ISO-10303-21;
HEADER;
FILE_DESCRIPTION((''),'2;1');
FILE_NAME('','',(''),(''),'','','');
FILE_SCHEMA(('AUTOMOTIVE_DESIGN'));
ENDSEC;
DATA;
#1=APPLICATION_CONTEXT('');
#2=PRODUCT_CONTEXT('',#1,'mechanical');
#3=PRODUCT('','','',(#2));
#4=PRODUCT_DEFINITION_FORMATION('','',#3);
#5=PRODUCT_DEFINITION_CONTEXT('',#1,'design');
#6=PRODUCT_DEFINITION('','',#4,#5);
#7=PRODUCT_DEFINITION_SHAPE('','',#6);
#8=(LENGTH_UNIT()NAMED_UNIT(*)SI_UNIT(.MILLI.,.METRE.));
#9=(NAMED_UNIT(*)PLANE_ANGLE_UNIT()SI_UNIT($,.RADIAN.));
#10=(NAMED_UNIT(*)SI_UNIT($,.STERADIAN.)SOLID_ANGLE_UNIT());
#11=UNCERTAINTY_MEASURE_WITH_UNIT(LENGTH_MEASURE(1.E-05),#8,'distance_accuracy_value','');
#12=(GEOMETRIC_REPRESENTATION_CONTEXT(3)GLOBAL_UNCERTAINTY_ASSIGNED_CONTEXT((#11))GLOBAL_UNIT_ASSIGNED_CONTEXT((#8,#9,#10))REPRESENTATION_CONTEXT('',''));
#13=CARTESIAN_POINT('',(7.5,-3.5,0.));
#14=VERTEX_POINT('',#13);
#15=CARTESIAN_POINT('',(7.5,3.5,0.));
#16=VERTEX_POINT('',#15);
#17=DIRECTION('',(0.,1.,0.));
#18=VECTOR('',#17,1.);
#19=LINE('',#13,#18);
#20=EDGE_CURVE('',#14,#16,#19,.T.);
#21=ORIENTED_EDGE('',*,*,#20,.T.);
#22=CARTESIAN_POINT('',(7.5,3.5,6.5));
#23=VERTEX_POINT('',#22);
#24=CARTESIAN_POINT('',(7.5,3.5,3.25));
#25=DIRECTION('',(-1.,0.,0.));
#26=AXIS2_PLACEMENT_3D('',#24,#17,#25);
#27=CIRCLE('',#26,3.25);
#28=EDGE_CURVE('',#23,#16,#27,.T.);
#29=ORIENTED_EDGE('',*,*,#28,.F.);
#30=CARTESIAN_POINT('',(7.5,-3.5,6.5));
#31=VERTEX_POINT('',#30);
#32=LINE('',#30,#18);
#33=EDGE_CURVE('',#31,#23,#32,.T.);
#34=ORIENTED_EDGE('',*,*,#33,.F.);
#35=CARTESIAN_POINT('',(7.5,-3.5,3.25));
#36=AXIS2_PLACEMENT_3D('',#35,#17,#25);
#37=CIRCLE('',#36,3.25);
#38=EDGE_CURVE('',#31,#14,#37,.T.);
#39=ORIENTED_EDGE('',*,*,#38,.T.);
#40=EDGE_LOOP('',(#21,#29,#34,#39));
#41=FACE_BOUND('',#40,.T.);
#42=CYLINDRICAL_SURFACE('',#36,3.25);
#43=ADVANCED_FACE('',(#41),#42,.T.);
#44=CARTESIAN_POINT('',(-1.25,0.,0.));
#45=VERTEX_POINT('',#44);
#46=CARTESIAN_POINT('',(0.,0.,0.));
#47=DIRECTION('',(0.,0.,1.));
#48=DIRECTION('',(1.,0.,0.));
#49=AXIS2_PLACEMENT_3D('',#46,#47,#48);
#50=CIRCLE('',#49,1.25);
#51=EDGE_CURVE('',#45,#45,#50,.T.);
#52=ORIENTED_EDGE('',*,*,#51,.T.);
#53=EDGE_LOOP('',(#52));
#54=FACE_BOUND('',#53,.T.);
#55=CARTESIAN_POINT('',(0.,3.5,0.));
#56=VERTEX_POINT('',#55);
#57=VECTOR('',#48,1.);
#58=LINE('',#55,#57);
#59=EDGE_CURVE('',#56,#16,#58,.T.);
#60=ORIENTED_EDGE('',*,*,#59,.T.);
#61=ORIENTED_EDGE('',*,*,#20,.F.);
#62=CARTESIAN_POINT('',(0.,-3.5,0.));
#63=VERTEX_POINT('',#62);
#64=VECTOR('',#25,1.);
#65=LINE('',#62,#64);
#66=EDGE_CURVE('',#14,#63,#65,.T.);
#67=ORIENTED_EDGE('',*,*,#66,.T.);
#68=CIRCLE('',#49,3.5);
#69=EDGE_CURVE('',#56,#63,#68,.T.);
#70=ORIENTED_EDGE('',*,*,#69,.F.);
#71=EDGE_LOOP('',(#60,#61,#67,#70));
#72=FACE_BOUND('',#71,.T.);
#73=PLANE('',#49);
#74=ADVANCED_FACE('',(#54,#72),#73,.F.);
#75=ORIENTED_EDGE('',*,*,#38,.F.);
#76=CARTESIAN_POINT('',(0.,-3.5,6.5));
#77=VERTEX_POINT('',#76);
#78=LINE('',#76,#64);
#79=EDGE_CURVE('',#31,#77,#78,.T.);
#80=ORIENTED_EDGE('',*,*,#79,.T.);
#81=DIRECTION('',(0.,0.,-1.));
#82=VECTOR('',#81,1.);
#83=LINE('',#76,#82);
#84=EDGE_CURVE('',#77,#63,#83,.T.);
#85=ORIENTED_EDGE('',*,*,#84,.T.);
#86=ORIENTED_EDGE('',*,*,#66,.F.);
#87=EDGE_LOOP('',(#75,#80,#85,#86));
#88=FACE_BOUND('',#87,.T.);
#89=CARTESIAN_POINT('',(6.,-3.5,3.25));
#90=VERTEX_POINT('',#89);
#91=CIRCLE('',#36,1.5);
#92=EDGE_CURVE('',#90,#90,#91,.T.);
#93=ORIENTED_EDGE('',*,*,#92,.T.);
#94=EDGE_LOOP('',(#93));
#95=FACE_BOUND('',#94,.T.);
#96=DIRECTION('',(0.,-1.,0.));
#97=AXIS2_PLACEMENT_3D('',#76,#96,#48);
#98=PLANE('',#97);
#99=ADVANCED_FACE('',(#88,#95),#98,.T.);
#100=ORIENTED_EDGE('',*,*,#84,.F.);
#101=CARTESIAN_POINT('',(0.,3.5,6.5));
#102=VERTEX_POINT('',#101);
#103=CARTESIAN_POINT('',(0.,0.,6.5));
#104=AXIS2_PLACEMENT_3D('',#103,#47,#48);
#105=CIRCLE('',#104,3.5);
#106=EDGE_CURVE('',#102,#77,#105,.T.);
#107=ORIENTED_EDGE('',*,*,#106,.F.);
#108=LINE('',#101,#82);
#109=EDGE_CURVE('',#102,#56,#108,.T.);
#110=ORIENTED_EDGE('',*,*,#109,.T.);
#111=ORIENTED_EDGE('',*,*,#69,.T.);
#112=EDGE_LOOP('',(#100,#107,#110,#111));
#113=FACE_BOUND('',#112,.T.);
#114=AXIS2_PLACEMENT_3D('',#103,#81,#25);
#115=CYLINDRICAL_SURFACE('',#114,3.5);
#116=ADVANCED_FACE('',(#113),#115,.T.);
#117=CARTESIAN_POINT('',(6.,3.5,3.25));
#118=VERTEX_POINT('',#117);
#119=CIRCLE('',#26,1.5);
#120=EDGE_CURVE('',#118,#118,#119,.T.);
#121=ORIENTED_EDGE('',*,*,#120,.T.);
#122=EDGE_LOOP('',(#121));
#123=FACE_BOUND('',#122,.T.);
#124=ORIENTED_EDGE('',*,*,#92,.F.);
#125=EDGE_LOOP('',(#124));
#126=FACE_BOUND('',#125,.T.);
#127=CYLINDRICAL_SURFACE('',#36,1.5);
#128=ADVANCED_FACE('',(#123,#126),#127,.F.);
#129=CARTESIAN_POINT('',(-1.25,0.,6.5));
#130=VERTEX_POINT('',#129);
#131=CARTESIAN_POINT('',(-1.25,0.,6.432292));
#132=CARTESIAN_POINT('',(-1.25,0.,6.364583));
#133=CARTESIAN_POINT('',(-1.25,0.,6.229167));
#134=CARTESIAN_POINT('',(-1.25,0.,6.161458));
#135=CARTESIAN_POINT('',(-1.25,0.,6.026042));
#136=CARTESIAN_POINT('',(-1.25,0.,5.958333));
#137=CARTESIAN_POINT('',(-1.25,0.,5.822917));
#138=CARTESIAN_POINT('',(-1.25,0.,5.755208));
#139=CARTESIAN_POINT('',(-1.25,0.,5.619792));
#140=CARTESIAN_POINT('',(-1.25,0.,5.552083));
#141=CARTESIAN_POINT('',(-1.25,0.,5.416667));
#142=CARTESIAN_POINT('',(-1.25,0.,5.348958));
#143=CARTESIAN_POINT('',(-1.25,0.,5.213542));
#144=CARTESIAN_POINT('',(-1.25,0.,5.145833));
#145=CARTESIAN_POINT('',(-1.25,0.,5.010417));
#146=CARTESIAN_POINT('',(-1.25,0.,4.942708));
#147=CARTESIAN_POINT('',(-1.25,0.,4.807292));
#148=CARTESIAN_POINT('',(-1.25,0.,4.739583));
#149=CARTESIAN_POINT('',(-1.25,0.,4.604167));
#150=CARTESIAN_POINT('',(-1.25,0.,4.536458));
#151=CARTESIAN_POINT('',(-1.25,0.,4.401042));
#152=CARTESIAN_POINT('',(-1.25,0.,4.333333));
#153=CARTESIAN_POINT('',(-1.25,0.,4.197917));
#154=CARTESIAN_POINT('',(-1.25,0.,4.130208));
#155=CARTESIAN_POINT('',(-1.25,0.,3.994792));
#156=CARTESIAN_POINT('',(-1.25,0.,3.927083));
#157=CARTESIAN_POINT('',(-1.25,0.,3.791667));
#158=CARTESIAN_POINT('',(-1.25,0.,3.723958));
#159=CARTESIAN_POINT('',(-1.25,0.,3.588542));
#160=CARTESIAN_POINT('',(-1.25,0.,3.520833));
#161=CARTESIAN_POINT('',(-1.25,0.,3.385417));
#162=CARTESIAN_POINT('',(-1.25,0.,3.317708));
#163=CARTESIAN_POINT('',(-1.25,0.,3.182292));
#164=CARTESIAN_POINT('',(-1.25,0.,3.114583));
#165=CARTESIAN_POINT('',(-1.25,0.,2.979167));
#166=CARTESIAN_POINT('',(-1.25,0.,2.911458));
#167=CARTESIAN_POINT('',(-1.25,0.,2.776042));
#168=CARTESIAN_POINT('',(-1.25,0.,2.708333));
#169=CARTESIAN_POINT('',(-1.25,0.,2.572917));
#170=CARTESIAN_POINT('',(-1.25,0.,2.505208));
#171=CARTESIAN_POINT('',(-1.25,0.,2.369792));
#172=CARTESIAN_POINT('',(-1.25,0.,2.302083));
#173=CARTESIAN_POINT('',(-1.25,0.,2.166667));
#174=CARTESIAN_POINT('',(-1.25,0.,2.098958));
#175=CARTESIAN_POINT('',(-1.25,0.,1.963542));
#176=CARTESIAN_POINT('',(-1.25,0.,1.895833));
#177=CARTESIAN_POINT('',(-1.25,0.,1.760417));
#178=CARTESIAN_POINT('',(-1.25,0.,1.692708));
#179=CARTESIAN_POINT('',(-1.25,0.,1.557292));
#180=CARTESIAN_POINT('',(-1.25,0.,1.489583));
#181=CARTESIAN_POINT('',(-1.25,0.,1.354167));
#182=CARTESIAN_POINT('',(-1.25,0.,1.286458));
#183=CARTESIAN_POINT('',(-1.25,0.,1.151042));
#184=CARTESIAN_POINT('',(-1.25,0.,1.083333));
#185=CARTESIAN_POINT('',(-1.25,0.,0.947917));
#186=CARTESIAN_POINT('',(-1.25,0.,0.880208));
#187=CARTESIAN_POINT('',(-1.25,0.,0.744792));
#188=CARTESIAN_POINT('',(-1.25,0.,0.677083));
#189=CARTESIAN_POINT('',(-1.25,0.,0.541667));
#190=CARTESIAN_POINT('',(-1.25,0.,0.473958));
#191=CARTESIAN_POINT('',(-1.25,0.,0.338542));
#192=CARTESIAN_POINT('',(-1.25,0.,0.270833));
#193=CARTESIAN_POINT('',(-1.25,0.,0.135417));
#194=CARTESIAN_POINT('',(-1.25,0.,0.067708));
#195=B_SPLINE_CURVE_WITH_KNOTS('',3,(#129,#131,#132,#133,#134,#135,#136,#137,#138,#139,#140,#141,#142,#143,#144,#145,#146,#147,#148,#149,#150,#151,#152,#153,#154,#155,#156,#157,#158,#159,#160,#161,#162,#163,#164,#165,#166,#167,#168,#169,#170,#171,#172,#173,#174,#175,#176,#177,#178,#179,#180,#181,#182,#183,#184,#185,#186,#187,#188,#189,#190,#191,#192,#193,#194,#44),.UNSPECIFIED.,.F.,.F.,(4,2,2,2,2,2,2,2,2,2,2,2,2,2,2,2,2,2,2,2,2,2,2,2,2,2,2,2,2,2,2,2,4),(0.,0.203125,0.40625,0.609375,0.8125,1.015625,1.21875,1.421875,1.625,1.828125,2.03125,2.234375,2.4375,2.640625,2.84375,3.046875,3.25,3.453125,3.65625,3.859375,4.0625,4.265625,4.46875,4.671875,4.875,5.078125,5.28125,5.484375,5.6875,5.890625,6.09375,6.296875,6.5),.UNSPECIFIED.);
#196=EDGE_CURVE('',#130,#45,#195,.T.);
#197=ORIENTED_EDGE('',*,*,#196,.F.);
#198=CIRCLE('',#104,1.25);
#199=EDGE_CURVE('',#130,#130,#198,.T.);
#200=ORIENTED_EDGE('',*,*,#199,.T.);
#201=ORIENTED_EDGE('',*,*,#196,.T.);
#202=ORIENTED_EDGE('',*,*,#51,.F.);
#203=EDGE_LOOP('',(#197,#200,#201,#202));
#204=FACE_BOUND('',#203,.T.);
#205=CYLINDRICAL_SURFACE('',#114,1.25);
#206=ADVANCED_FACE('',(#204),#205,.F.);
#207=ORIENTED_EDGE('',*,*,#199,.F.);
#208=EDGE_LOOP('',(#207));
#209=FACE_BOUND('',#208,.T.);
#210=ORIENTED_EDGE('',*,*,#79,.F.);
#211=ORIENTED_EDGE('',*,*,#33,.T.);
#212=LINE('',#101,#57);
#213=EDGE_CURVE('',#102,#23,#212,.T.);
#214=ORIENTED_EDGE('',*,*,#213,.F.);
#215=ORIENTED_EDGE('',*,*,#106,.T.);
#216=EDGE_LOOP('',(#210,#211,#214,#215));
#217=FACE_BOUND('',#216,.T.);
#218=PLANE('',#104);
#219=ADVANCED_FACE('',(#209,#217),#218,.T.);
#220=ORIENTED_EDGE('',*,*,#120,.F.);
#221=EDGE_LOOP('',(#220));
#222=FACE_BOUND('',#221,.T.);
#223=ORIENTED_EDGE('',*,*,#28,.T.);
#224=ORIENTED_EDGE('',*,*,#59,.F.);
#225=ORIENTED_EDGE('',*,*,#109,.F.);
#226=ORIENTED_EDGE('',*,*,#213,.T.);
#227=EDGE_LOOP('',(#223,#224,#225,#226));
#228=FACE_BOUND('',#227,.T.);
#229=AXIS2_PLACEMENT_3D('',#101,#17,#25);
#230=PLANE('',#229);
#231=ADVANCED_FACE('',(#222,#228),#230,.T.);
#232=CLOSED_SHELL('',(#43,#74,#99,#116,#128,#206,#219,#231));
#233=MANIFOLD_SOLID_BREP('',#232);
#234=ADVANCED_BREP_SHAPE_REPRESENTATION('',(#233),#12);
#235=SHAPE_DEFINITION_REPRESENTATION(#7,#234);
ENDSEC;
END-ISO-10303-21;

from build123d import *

# Parameters (mm, degrees)
SKETCH_1_R      = 3.5
SKETCH_1_R_2    = 1.25
EXTRUDE_1_DEPTH = 6.5
SKETCH_2_R      = 3.25
SKETCH_2_R_2    = 1.5
EXTRUDE_2_DEPTH = 7


with BuildPart() as part:
    # Эскиз1 → Бобышка-Вытянуть1 (new body)
    # profile 1 of 3: a face of its own
    with BuildSketch(Plane.XY):
        Circle(SKETCH_1_R)
        with Locations(Location((0, 0, 0), (0, 0, 180))):
            Circle(SKETCH_1_R_2, mode=Mode.SUBTRACT)
    # profile 2 of 3: a face of its own
    with BuildSketch(Plane.XY):
        with BuildLine():
            Line((3.5, 3.5), (0, 3.5))
            ThreePointArc((0, 3.5), (2.474873734, 2.474873734), (3.5, 0))
            Line((3.5, 0), (3.5, 3.5))
        make_face()
    # profile 3 of 3: a face of its own
    with BuildSketch(Plane.XY):
        with BuildLine():
            Line((3.5, -3.5), (3.5, 0))
            ThreePointArc((3.5, 0), (2.474873734, -2.474873734), (0, -3.5))
            Line((0, -3.5), (3.5, -3.5))
        make_face()
    extrude(amount=EXTRUDE_1_DEPTH)

    # Эскиз2 → Бобышка-Вытянуть2 (add)
    # profile 1 of 2: a face of its own
    with BuildSketch(Plane(origin=(0, 3.5, 0), x_dir=(1, 0, 0), z_dir=(0, 1, 0))):
        with BuildLine():
            ThreePointArc((7.5, -6.5), (4.25, -3.25), (7.5, 0))
            Line((7.5, 0), (3.5, 0))
            Line((3.5, 0), (3.5, -6.5))
            Line((3.5, -6.5), (7.5, -6.5))
        make_face()
    # profile 2 of 2: a face of its own
    with BuildSketch(Plane(origin=(0, 3.5, 0), x_dir=(1, 0, 0), z_dir=(0, 1, 0))):
        with Locations((7.5, -3.25)):
            Circle(SKETCH_2_R)
        with Locations(Location((7.5, -3.25, 0), (0, 0, 180))):
            Circle(SKETCH_2_R_2, mode=Mode.SUBTRACT)
    extrude(amount=-EXTRUDE_2_DEPTH)


solid = part.part
